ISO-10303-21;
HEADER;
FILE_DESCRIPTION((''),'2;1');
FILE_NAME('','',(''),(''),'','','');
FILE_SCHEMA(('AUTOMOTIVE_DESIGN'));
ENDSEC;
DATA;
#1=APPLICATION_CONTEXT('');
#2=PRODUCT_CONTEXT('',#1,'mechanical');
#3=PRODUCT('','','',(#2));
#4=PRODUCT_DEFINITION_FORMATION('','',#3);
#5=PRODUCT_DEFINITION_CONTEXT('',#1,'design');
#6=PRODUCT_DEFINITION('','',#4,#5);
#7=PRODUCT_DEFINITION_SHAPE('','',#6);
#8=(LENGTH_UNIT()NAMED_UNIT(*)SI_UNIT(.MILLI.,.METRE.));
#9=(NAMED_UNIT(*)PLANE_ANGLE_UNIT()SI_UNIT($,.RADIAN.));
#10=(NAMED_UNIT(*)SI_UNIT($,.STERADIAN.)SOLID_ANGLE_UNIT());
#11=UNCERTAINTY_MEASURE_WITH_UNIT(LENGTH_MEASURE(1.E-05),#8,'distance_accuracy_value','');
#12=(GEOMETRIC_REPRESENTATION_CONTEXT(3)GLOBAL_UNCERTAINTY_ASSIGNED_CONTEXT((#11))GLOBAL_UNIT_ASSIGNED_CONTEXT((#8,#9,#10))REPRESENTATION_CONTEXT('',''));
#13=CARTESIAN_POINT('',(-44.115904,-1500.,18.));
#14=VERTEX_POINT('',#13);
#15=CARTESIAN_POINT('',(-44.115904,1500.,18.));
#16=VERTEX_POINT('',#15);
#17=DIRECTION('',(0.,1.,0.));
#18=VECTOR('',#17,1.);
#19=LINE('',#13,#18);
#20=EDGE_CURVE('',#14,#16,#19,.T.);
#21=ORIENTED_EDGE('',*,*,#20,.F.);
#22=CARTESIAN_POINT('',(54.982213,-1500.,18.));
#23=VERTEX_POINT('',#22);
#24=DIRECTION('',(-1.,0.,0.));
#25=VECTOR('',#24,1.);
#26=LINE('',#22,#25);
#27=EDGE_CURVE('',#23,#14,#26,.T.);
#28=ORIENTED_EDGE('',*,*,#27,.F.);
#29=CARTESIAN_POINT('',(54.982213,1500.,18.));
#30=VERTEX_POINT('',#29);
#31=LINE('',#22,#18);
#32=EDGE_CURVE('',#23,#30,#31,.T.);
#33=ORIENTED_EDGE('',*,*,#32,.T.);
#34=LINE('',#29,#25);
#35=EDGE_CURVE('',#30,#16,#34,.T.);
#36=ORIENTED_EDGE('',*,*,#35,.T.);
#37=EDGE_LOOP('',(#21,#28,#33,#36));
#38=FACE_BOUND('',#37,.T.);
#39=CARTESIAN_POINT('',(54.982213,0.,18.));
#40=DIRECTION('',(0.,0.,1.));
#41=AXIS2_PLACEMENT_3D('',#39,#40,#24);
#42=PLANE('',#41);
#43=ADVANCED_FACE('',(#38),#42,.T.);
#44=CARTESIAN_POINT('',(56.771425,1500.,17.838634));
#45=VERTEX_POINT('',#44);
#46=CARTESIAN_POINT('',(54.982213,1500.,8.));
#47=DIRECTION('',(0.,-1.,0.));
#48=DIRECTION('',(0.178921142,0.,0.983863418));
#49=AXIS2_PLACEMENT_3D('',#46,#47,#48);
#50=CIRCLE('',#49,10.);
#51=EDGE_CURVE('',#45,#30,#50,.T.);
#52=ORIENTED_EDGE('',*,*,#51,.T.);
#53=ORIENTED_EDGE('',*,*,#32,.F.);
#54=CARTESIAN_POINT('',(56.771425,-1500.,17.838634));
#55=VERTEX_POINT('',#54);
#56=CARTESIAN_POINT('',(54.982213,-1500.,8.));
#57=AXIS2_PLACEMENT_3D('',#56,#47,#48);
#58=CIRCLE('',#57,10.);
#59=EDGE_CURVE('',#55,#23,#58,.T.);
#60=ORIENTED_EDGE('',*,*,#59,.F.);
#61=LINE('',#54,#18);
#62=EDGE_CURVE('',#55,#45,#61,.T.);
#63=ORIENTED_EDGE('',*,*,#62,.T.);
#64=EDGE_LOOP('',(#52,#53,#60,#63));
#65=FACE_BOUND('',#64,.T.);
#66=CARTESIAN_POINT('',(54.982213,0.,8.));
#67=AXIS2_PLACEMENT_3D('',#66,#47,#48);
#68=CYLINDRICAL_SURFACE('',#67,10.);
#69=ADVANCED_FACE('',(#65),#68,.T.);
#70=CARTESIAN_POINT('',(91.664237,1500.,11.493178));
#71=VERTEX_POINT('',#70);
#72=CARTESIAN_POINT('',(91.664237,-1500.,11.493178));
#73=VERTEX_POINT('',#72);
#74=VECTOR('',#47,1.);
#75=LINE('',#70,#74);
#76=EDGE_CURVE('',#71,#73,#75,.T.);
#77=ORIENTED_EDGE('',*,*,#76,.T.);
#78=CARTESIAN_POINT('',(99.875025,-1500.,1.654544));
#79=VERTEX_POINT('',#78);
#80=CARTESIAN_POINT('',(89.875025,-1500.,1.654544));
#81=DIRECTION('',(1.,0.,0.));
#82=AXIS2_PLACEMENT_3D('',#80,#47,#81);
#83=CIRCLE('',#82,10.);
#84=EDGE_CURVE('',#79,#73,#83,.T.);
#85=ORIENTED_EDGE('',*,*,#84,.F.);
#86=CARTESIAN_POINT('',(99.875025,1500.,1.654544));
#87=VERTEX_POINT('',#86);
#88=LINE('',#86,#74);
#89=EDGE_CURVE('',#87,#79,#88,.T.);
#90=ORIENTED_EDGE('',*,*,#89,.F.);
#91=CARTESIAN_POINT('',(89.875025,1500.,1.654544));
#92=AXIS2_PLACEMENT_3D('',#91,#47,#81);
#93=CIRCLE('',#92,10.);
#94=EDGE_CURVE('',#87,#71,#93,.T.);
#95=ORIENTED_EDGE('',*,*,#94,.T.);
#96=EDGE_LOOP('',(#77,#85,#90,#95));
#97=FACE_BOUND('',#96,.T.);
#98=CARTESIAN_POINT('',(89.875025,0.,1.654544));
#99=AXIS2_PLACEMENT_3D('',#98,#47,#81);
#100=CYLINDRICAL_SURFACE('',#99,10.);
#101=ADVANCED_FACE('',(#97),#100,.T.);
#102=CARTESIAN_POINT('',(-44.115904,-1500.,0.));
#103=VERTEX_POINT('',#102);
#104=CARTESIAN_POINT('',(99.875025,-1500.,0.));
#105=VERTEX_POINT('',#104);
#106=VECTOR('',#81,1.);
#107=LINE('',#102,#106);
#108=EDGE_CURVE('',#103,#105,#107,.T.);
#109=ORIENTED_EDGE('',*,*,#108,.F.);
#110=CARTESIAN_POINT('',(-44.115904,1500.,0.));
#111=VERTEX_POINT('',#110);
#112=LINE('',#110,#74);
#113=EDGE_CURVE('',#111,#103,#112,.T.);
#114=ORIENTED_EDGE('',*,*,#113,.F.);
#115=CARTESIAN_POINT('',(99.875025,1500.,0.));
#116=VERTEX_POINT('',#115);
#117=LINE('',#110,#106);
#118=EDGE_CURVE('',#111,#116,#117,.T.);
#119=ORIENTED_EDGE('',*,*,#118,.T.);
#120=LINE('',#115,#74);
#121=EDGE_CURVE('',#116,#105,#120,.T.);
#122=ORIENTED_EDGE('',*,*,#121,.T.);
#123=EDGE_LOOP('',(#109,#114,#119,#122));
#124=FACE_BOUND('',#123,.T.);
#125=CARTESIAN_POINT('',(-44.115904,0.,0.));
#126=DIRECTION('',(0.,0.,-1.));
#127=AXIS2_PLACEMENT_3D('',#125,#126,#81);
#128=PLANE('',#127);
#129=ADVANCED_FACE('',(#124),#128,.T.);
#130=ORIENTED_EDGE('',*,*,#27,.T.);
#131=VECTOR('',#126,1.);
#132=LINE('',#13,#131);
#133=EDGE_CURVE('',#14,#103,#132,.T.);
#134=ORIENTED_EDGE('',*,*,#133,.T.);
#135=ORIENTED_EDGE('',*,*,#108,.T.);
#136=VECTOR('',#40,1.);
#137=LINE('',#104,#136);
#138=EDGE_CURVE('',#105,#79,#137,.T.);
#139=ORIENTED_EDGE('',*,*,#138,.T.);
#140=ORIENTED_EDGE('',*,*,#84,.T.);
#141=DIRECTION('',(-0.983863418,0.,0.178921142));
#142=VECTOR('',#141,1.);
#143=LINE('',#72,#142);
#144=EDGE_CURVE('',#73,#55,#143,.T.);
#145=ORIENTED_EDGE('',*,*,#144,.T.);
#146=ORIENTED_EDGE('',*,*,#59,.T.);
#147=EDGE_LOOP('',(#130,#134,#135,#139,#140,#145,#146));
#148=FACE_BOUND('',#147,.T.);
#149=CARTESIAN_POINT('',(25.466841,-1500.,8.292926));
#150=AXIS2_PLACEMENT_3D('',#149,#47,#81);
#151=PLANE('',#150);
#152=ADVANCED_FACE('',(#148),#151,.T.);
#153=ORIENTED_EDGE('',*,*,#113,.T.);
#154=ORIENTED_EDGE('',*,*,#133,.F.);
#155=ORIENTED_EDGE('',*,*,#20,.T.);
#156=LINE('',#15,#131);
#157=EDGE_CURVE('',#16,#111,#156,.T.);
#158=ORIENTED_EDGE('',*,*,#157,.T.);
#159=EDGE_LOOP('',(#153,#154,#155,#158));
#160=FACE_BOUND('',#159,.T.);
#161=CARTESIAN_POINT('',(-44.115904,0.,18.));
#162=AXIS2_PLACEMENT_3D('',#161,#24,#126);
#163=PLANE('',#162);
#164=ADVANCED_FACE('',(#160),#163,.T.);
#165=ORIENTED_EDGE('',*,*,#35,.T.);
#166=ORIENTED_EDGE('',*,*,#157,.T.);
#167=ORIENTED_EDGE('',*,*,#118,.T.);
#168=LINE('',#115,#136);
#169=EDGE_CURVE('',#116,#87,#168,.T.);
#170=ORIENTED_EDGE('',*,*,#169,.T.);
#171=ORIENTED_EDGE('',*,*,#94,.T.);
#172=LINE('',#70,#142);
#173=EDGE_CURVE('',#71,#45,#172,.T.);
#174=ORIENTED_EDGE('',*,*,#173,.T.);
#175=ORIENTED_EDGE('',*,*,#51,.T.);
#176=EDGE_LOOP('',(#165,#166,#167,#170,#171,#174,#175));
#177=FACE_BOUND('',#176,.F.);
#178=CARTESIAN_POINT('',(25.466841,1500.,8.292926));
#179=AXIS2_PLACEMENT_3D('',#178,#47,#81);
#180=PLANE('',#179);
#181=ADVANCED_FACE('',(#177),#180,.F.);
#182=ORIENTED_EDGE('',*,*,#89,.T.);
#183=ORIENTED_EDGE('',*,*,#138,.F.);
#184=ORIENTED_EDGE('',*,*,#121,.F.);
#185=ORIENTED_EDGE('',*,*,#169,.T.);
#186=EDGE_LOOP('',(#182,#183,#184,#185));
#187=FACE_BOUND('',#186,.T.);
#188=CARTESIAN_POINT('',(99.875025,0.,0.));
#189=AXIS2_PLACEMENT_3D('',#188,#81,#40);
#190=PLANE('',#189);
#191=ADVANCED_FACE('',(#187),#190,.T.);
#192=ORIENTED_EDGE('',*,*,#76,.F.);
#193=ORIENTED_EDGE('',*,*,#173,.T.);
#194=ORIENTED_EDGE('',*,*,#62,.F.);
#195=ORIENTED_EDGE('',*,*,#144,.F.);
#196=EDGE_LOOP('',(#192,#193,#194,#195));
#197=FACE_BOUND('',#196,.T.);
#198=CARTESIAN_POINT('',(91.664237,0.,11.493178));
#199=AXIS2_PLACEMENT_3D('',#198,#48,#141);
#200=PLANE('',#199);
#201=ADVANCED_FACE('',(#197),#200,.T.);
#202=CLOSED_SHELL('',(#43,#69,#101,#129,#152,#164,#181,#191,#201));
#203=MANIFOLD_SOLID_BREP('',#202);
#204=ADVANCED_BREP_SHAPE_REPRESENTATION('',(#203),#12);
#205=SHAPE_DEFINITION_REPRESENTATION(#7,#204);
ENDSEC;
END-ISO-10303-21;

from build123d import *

# Parameters (mm, degrees)
F1_DEPTH = 1500


with BuildPart() as f1:
    # F0 (on Front) → F1 (new body, symmetric)
    with BuildSketch(Plane.XZ):
        with BuildLine():
            Line((-44.1159044445, 18), (-44.1159044445, 0))
            Line((-44.1159044445, 0), (99.8750251315, 0))
            Line((99.8750251315, 0), (99.8750251315, 1.6545442854))
            ThreePointArc((99.8750251315, 1.6545442854), (97.5526586916, 8.0618793723), (91.6642365482, 11.4931784643))
            Line((91.6642365482, 11.4931784643), (56.7714246145, 17.8386341789))
            ThreePointArc((56.7714246145, 17.8386341789), (55.8804498623, 17.9595768431), (54.9822131977, 18))
            Line((54.9822131977, 18), (-44.1159044445, 18))
        make_face()
    extrude(amount=F1_DEPTH, both=True)


solid = f1.part
